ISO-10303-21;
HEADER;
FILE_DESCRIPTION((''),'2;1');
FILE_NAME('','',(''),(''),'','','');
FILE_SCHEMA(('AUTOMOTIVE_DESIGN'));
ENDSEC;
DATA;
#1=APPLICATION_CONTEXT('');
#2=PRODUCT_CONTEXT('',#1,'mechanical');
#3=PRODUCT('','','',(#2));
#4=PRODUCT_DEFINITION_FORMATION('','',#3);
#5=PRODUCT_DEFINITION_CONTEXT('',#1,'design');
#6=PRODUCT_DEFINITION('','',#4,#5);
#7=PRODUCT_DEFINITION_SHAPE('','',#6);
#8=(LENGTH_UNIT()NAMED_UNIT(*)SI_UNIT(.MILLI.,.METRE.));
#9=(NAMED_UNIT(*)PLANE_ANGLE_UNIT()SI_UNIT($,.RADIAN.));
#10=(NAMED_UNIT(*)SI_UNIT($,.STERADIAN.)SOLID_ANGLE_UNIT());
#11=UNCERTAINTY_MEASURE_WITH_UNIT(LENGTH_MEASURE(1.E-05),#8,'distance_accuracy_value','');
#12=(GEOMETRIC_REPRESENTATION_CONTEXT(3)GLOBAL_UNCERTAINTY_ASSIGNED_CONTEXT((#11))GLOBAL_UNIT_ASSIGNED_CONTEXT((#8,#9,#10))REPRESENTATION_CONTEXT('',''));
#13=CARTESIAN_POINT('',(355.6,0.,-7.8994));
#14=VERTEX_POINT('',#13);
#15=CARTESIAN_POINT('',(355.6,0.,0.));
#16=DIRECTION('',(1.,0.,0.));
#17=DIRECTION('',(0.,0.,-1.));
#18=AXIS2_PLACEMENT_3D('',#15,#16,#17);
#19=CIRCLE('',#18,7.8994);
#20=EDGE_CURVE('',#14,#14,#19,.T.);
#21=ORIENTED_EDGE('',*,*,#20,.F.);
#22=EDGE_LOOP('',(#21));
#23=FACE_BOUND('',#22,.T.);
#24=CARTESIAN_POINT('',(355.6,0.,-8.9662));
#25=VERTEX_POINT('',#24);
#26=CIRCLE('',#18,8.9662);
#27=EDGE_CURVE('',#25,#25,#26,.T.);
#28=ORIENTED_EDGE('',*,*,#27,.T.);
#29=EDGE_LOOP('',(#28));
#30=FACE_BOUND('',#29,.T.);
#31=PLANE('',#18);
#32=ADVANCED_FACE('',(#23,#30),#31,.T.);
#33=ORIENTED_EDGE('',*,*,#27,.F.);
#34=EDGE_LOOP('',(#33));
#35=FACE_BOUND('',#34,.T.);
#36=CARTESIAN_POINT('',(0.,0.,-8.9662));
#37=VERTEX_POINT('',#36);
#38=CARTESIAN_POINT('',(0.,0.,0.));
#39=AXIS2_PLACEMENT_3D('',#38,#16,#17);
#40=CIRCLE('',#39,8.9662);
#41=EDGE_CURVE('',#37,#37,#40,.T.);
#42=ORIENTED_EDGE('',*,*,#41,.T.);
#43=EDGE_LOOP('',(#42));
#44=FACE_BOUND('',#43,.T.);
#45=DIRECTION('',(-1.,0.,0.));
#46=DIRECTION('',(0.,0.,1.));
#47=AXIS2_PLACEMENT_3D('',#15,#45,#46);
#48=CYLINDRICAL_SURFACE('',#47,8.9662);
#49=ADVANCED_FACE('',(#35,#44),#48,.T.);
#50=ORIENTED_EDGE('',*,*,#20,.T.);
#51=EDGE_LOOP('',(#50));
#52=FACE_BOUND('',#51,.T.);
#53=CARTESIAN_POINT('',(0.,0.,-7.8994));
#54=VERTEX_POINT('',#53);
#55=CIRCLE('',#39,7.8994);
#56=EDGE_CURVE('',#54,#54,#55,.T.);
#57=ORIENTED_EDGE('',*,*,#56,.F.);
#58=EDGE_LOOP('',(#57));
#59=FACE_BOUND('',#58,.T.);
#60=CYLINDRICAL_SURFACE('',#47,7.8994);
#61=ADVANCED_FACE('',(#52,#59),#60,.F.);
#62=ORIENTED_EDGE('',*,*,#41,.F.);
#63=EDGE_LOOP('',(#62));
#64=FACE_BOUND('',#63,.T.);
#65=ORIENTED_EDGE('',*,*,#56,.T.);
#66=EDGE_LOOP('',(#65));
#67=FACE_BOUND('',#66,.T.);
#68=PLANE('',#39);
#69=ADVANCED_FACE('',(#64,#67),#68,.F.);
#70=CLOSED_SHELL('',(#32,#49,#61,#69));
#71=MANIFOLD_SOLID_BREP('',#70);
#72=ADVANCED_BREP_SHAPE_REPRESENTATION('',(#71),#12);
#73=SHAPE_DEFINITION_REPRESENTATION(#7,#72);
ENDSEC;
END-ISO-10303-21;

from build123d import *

# Parameters (mm, degrees)
SKETCH4_R   = 8.9662
SKETCH4_R_2 = 7.8994


with BuildPart() as part:
    # Sweep2: sweep along a path in Sketch3
    with BuildLine(Plane.XY) as sweep2_path:
        Line((0, 0), (355.6, 0))
    # Sketch4 → Sweep2 (sweep)
    with BuildSketch(Plane(origin=(0, 0, 0), x_dir=(0, 0, -1), z_dir=(1, 0, 0))):
        Circle(SKETCH4_R)
        Circle(SKETCH4_R_2, mode=Mode.SUBTRACT)
    sweep(path=sweep2_path.line)


solid = part.part
